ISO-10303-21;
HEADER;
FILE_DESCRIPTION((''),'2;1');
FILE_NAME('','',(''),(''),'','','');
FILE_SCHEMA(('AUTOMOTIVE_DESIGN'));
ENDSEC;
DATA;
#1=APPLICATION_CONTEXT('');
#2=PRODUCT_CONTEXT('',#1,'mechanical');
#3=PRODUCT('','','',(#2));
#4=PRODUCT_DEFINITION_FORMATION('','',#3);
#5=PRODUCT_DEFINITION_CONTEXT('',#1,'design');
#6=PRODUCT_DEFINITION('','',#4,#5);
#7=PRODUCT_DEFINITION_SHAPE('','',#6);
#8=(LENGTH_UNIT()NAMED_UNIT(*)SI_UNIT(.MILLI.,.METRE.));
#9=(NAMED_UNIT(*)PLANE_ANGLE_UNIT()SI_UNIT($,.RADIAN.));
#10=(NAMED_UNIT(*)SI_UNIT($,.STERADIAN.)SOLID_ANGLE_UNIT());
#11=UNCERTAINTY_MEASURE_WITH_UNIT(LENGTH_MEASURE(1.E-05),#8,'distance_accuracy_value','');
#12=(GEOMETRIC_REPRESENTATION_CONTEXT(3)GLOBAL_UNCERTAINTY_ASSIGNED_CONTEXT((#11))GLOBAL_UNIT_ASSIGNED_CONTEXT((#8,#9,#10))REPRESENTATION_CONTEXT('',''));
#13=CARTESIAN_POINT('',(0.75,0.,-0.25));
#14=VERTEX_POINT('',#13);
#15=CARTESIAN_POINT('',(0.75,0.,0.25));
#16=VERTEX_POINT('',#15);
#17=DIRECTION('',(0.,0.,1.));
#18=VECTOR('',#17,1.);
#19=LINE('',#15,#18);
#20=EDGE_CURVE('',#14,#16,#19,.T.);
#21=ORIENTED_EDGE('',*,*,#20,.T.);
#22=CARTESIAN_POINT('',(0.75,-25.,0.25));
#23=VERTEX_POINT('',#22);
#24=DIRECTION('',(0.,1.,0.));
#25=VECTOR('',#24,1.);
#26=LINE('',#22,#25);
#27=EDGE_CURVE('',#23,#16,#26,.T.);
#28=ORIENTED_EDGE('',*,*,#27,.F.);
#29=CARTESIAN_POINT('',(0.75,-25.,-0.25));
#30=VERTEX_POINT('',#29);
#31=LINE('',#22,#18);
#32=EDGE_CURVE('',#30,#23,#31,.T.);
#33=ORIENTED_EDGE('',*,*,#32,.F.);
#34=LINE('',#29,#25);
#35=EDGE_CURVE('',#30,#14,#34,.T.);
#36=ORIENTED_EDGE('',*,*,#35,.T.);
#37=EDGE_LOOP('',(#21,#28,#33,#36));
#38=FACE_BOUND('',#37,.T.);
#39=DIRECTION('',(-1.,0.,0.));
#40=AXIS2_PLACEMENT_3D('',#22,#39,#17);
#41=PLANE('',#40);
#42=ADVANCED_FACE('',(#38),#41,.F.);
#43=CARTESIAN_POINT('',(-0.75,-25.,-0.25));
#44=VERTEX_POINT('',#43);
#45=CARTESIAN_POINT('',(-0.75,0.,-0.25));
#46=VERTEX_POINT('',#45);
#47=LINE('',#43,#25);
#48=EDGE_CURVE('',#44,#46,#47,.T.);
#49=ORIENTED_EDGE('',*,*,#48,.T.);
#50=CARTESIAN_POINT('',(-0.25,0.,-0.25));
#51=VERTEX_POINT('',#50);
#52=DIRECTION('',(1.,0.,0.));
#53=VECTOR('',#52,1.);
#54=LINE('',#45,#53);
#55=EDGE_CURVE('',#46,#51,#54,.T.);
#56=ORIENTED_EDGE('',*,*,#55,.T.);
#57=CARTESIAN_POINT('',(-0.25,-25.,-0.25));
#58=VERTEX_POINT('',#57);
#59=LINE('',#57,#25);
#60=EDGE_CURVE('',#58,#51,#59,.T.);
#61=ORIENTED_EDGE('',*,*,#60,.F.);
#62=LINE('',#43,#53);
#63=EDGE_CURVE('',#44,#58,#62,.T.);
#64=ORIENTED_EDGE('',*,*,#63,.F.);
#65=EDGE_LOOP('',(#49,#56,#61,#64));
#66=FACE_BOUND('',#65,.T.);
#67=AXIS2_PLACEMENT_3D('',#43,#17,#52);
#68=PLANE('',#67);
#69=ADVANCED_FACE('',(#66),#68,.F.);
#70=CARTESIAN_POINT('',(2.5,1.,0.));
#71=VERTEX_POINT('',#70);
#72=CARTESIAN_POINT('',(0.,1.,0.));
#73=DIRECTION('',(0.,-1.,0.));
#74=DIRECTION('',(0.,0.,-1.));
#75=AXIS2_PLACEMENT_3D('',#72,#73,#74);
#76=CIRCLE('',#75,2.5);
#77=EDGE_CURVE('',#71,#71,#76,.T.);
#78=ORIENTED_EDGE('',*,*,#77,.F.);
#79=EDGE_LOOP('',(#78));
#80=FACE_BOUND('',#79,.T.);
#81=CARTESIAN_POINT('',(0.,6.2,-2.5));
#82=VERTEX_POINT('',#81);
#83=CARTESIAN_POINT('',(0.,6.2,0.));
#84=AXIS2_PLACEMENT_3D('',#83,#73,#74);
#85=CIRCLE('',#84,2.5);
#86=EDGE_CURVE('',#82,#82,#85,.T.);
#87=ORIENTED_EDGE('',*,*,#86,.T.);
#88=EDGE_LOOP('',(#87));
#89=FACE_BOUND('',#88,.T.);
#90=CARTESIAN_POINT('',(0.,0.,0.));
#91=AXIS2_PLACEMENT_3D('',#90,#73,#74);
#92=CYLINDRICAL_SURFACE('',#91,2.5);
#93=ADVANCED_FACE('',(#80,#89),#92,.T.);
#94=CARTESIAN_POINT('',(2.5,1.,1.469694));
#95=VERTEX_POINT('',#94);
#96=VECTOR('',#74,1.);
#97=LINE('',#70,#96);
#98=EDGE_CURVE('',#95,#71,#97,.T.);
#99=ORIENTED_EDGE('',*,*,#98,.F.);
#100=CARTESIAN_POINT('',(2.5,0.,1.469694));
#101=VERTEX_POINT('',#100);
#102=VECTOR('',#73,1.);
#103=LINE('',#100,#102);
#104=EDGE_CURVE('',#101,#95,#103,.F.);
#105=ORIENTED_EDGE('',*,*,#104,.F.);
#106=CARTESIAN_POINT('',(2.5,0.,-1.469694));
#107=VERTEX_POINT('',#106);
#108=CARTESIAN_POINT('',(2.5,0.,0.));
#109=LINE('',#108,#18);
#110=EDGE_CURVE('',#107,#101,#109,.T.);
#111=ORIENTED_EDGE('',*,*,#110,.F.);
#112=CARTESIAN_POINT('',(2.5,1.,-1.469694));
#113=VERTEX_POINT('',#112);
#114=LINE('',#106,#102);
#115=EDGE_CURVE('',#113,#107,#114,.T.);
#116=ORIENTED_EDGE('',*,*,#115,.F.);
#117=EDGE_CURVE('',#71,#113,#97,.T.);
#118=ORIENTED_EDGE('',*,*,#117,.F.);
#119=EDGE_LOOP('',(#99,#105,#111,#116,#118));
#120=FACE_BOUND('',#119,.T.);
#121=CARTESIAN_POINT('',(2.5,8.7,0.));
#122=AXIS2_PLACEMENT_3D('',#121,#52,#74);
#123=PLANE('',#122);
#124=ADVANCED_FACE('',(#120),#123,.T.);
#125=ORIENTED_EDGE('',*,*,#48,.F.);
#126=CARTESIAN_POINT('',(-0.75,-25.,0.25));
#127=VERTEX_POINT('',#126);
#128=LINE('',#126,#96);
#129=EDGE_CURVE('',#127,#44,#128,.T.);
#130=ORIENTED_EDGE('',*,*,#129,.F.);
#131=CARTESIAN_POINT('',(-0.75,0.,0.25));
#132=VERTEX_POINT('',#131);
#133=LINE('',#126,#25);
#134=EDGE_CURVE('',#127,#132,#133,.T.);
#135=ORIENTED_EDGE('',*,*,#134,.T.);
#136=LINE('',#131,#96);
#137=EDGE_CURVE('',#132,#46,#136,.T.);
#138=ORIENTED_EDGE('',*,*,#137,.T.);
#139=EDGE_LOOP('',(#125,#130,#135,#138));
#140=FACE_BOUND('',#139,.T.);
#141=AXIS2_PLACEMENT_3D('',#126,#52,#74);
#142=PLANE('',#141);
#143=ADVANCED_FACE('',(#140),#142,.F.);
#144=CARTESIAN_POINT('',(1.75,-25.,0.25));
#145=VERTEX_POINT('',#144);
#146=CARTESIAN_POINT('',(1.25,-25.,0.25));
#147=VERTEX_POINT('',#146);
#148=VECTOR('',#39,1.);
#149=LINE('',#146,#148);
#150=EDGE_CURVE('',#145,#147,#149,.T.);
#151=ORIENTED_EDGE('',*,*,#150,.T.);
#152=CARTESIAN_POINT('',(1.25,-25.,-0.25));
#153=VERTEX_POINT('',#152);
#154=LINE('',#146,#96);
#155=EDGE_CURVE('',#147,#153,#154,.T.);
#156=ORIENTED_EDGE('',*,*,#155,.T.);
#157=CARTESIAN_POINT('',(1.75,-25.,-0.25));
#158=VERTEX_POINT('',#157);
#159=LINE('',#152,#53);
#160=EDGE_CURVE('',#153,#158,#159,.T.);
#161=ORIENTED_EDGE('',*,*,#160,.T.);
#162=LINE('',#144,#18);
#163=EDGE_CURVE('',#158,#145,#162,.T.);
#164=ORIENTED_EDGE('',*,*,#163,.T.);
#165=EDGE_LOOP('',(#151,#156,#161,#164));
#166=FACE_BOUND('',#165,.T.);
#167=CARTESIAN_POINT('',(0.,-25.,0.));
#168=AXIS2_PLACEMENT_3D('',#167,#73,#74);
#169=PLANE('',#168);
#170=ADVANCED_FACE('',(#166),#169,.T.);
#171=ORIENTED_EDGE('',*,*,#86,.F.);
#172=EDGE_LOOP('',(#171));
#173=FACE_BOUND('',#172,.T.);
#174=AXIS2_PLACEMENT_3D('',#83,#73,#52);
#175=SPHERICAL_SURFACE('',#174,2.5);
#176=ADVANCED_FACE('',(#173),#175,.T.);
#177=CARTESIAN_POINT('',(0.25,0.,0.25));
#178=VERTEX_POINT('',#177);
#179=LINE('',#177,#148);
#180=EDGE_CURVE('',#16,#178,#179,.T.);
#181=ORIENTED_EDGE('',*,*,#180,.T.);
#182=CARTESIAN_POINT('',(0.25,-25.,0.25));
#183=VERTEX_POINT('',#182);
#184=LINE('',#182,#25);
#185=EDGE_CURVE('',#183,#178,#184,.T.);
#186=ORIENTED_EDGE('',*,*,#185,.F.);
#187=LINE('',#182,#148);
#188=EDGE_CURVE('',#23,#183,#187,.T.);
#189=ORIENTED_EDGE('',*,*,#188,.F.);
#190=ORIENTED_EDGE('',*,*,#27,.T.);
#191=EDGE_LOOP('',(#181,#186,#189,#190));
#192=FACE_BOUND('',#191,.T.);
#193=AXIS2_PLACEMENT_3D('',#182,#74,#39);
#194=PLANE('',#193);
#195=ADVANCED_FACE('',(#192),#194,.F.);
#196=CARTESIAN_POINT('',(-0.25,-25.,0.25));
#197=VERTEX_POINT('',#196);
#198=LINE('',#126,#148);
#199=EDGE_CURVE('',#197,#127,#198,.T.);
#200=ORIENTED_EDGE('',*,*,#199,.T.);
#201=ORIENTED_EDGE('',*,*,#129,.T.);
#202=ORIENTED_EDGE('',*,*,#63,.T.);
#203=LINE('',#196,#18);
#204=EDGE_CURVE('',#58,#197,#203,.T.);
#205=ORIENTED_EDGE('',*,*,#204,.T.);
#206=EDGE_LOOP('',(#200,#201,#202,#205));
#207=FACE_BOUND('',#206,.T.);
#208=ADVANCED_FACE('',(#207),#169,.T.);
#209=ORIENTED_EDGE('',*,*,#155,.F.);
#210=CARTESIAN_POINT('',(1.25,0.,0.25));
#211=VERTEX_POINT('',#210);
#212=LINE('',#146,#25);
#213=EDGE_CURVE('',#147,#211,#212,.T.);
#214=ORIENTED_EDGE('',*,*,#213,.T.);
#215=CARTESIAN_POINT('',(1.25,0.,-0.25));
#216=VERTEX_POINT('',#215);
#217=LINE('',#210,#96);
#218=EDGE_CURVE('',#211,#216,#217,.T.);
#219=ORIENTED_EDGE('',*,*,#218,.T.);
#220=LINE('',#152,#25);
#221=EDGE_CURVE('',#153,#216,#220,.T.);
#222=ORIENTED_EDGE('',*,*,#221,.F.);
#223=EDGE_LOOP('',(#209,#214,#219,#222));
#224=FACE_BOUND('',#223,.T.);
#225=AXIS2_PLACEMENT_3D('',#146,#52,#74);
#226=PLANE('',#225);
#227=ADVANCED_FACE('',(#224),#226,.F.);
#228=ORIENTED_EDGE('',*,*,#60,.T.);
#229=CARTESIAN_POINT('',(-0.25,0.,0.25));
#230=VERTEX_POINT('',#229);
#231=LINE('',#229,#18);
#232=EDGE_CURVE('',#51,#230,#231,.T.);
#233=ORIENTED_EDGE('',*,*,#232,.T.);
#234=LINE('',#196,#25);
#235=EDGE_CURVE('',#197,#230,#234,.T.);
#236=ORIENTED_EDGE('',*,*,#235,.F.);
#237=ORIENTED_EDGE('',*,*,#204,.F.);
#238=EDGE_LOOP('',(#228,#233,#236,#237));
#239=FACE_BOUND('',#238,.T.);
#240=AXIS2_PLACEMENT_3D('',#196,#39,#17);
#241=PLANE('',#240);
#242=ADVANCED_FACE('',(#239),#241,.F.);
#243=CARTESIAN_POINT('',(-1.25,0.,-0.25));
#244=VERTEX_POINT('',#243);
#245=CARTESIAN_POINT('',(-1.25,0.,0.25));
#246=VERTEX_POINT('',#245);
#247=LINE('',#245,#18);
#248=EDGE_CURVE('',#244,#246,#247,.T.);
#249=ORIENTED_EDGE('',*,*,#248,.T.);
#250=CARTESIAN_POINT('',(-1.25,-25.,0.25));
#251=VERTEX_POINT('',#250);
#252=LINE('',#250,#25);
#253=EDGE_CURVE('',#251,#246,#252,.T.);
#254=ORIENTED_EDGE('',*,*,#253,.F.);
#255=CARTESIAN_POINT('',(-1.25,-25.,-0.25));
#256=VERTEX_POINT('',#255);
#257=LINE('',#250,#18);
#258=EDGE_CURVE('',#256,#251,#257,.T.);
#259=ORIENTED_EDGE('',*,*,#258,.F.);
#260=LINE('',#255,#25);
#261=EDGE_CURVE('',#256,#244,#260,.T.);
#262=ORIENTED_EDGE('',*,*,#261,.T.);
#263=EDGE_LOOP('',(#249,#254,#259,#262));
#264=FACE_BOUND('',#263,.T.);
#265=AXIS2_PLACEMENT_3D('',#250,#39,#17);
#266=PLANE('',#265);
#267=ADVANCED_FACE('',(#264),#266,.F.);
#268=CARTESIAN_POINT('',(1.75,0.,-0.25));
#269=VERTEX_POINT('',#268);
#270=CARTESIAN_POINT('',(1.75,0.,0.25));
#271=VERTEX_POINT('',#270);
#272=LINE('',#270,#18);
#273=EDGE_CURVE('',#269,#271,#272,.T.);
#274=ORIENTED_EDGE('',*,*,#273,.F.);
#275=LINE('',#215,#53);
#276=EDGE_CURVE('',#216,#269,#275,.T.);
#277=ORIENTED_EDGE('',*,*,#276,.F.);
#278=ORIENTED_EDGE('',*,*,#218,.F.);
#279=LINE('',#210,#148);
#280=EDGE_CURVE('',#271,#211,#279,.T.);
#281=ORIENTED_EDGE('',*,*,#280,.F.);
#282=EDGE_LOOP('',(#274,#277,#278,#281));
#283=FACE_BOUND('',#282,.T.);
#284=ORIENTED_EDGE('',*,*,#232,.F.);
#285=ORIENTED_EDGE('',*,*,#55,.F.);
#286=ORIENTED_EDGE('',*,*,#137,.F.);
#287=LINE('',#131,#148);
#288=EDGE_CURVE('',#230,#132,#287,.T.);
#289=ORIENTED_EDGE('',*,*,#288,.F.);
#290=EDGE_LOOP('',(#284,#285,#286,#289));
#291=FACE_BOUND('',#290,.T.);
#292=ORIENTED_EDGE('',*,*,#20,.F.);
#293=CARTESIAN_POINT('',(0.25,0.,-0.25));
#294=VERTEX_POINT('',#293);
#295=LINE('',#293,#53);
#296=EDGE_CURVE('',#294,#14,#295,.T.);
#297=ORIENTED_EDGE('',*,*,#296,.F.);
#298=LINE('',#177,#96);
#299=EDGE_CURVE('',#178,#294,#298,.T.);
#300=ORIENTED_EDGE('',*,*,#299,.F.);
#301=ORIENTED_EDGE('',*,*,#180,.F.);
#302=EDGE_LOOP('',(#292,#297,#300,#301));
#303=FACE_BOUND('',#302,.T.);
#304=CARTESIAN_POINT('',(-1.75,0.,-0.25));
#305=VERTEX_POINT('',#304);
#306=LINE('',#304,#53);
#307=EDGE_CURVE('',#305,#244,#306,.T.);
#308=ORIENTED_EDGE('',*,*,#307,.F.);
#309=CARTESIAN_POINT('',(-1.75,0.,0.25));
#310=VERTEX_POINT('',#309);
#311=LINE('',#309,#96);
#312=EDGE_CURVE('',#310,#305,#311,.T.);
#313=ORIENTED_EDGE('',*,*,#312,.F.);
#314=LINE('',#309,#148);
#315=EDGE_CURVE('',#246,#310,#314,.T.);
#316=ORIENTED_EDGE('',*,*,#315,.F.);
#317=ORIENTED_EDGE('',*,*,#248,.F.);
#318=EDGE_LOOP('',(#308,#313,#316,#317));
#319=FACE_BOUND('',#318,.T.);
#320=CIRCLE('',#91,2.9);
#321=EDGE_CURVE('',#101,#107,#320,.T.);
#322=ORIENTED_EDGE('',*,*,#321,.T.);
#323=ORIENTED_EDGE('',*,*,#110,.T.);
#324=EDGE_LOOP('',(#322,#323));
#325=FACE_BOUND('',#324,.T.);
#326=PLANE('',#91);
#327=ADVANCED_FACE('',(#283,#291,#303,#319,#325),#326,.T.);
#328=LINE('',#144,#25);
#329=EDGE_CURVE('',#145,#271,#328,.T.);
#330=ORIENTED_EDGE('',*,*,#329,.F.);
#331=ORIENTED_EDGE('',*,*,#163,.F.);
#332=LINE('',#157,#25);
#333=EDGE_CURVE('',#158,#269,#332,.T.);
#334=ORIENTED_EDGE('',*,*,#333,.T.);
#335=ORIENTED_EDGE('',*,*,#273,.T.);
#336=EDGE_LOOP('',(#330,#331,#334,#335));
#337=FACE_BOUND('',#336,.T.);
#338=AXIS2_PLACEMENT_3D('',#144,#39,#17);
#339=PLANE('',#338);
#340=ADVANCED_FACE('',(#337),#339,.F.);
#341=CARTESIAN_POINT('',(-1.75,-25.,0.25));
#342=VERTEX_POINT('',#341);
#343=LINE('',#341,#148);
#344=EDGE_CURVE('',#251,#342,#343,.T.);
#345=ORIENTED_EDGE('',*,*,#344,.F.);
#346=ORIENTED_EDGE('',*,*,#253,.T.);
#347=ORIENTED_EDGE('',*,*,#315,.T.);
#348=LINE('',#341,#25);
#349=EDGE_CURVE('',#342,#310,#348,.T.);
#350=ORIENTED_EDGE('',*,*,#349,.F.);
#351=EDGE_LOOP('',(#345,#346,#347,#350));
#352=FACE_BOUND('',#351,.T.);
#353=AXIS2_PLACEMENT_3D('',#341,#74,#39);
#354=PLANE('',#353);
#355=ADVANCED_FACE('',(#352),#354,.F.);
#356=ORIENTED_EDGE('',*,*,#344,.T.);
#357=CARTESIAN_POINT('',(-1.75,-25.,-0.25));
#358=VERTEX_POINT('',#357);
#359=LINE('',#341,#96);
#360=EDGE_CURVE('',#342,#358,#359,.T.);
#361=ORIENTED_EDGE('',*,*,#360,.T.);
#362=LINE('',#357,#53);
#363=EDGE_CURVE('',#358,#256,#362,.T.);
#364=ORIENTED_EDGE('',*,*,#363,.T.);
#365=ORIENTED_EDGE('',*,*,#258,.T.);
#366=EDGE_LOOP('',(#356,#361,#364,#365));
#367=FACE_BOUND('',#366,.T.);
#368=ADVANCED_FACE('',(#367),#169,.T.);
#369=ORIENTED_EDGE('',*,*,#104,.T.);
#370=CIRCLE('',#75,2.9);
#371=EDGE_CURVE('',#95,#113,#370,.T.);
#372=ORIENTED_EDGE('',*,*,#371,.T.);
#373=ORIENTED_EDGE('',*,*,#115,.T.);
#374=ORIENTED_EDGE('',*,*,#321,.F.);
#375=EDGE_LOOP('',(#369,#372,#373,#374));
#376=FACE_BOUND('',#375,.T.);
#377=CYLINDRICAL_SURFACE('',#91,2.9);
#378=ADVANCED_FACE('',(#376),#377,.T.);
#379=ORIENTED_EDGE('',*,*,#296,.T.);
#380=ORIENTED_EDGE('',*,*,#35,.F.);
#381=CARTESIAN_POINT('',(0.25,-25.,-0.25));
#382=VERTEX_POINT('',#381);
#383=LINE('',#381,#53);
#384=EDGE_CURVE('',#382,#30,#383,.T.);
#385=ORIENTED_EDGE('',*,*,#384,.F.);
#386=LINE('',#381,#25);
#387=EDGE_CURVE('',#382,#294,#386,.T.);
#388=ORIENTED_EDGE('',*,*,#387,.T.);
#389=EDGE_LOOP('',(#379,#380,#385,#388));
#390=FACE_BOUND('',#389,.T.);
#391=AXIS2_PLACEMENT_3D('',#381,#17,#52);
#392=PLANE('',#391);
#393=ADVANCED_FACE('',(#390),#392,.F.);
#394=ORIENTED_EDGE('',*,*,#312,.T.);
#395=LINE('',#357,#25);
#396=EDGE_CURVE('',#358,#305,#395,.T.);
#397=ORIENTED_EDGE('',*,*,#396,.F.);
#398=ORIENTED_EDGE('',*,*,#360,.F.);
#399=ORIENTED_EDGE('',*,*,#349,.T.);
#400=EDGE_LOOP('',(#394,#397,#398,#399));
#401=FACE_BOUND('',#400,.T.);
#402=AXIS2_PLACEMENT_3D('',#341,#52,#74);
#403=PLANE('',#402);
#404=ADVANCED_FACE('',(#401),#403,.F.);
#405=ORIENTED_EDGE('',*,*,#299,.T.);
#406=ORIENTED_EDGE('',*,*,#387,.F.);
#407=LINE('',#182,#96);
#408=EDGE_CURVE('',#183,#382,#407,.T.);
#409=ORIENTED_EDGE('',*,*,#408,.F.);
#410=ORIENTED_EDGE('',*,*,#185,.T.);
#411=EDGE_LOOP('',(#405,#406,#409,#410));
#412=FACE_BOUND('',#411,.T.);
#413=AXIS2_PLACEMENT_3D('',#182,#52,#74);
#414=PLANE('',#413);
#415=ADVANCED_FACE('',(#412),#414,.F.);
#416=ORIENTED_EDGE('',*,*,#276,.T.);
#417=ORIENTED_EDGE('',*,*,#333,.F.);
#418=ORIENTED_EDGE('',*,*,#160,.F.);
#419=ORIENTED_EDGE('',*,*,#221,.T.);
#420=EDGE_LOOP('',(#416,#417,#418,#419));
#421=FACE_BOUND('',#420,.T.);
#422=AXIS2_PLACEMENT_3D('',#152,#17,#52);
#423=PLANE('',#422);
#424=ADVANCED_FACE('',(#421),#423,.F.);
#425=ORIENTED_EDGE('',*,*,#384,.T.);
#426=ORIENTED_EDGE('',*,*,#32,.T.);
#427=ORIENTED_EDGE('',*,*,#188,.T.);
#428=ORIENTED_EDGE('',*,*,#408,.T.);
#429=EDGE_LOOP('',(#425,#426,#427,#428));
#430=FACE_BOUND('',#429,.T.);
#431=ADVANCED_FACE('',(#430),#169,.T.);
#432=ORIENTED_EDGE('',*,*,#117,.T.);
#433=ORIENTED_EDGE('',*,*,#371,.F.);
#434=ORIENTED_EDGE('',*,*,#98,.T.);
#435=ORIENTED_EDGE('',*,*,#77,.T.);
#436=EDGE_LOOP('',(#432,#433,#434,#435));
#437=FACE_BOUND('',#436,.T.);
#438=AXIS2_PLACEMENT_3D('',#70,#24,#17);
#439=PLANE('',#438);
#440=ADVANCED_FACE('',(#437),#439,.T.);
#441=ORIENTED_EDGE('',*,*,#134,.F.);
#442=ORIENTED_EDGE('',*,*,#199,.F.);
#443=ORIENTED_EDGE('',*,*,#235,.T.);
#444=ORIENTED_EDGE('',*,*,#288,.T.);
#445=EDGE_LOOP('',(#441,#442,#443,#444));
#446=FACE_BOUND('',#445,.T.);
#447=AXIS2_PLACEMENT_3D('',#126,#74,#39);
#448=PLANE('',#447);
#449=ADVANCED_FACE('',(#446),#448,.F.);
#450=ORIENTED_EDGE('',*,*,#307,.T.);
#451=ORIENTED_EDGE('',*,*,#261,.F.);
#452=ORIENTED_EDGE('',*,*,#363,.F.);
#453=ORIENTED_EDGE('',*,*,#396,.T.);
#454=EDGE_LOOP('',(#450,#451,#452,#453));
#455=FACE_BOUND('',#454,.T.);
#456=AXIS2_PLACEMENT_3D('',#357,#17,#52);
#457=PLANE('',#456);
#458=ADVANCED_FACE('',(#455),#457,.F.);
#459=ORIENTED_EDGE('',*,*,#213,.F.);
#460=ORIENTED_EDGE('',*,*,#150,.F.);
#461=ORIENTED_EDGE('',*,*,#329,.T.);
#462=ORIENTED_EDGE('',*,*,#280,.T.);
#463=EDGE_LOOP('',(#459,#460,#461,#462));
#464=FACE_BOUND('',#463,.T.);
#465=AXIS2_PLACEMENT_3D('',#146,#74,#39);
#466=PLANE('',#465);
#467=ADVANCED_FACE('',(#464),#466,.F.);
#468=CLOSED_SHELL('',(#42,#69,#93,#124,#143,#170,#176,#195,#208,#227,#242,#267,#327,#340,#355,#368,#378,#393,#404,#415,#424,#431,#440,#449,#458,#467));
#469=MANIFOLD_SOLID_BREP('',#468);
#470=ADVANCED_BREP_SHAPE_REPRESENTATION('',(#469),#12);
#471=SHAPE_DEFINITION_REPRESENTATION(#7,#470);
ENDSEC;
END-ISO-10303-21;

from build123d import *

# Parameters (mm, degrees)
CUT_EXTRUDE1_DEPTH      = 10.618211892
CUT_EXTRUDE1_DEPTH_BACK = 10.618211892
SKETCH3_W               = 0.5
SKETCH3_H               = 0.500000016
BOSS_EXTRUDE2_DEPTH     = 25


with BuildPart() as part:
    # Sketch1 → Revolve1 (revolve)
    with BuildSketch(Plane.XY, mode=Mode.PRIVATE) as revolve1_sk:
        with BuildLine():
            Line((0, 0), (2.9, 0))
            Line((2.9, 0), (2.9, 1))
            Line((2.9, 1), (2.5, 1))
            Line((2.5, 1), (2.5, 6.2))
            ThreePointArc((2.5, 6.2), (1.767766953, 7.967766953), (0, 8.7))
            Line((0, 8.7), (0, 0))
        make_face()
    revolve(revolve1_sk.sketch.rotate(Axis((0, 0, 0), (0, 1, 0)), 90), axis=Axis((0, 0, 0), (0, 1, 0)))

    # Sketch2 → Cut-Extrude1 (cut, two sides: drawn at the far end of the back side and taken through both)
    with BuildSketch(Plane(origin=(0, 0, 0), x_dir=(1, 0, 0), z_dir=(0, 1, 0)).offset(-CUT_EXTRUDE1_DEPTH_BACK)):
        Polygon((2.5, 0), (2.5, 2.5), (3.317010746, 2.5), (3.317010746, -2.186016692), (2.5, -2.186016692), align=None)
    extrude(amount=CUT_EXTRUDE1_DEPTH + CUT_EXTRUDE1_DEPTH_BACK, mode=Mode.SUBTRACT)

    # Sketch3 → Boss-Extrude2 (add)
    with BuildSketch(Plane.XZ):
        with Locations((-1.5, 0)):
            Rectangle(SKETCH3_W, SKETCH3_H)
        with Locations((-0.5, 0)):
            Rectangle(SKETCH3_W, SKETCH3_H)
        with Locations((0.5, 0)):
            Rectangle(SKETCH3_W, SKETCH3_H)
        with Locations((1.5, 0)):
            Rectangle(SKETCH3_W, SKETCH3_H)
    extrude(amount=BOSS_EXTRUDE2_DEPTH)


solid = part.part
